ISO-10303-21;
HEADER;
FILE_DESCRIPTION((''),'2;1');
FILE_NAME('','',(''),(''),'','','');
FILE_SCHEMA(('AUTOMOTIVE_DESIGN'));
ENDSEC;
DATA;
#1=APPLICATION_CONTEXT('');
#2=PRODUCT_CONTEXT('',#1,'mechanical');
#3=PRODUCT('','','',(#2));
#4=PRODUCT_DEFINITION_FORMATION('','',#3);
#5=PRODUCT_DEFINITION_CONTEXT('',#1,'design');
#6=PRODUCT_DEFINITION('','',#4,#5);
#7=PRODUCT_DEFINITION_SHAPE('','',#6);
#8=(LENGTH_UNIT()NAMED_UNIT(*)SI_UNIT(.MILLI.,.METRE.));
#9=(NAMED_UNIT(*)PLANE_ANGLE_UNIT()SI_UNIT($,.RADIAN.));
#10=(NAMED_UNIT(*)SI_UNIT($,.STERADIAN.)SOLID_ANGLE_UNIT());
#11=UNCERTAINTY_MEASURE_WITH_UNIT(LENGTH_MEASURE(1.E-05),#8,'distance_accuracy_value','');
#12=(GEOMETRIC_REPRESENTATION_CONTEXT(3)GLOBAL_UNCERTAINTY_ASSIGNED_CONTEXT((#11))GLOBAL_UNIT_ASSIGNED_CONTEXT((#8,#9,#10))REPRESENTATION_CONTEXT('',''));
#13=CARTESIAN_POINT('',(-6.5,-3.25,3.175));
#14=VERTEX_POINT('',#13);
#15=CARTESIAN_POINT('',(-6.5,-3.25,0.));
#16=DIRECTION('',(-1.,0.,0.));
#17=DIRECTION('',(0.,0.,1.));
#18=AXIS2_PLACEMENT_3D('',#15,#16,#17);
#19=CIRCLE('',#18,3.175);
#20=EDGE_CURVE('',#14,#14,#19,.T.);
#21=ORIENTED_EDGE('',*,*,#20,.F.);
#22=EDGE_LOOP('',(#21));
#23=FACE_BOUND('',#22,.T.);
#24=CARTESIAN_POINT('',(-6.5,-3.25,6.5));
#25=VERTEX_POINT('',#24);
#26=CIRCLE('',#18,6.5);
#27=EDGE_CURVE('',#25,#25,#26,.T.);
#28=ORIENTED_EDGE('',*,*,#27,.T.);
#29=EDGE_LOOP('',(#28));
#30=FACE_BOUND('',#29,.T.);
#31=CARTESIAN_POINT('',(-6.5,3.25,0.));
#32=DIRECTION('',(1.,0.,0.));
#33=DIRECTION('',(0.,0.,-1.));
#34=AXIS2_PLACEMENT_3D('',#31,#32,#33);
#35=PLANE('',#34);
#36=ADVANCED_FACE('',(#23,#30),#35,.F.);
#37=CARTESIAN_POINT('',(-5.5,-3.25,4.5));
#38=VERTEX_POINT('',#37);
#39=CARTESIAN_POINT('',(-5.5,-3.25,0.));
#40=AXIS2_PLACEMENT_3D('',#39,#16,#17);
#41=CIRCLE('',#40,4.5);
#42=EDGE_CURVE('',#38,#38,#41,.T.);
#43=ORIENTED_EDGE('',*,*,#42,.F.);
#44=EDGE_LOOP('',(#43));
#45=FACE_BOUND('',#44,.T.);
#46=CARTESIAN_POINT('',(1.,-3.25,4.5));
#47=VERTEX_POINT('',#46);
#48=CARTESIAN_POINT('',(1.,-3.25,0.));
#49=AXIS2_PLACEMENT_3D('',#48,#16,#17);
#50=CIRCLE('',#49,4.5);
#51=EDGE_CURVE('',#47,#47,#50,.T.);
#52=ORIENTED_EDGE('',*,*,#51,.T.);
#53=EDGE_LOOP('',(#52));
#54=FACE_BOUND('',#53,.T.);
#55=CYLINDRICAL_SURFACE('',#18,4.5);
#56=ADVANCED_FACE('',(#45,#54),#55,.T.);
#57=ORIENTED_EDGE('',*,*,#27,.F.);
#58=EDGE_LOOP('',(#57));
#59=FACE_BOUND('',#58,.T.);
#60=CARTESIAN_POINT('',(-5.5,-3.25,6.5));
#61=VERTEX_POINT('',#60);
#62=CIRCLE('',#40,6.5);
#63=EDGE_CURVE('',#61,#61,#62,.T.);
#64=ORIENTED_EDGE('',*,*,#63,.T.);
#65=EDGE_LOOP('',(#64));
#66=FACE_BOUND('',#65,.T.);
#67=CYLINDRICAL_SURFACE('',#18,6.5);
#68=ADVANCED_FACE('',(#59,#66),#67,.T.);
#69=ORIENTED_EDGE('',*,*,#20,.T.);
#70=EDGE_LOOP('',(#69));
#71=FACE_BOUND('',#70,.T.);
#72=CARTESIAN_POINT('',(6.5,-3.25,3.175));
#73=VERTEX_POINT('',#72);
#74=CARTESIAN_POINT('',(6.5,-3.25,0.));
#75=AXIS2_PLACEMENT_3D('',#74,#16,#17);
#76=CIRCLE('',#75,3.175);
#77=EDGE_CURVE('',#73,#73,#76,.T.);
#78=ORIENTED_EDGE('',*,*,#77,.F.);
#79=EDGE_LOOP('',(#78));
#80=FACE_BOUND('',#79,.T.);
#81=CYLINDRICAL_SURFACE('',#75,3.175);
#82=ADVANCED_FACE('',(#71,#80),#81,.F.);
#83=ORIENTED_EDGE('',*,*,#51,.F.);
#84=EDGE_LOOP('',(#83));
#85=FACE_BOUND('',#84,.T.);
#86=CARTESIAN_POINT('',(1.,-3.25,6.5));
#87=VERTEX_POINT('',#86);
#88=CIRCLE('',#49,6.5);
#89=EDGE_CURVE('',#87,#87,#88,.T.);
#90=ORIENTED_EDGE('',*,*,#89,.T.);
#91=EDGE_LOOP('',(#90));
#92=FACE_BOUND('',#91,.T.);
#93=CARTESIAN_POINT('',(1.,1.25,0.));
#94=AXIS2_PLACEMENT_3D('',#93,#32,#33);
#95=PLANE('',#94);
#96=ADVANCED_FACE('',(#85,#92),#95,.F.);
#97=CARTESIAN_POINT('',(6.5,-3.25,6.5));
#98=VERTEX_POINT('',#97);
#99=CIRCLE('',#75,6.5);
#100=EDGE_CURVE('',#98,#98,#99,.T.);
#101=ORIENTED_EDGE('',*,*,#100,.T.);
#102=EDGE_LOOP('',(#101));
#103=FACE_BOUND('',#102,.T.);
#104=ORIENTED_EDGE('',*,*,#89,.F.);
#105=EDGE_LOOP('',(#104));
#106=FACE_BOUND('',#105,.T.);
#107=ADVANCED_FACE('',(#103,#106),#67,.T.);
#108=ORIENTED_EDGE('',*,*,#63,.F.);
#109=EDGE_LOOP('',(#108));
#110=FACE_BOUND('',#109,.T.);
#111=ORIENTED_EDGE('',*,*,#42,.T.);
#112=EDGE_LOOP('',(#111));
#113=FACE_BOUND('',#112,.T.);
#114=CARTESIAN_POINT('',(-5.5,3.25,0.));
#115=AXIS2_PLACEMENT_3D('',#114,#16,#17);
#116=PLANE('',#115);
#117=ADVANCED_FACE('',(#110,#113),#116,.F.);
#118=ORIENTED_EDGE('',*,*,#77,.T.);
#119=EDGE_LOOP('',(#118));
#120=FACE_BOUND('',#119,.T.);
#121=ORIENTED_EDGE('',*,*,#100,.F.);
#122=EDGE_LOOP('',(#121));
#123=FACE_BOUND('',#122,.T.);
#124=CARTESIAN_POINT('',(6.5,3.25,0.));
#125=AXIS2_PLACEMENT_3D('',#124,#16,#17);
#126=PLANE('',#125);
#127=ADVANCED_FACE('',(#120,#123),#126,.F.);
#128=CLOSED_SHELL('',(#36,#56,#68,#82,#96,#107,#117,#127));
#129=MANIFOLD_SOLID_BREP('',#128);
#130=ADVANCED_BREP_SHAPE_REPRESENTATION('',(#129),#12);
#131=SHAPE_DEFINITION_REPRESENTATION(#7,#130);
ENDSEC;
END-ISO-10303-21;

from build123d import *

# Parameters (mm, degrees)
SKETCH_2_R          = 3.175
CUT_EXTRUDE_1_DEPTH = 14


with BuildPart() as part:
    # 草图1 → 旋转1 (revolve)
    with BuildSketch(Plane.XY):
        Polygon((6.5, -3.25), (-6.5, -3.25), (-6.5, 3.25), (-5.5, 3.25), (-5.5, 1.25), (1, 1.25), (1, 3.25), (6.5, 3.25), align=None)
    revolve(axis=Axis((-6.5, -3.25, 0), (1, 0, 0)))

    # 草图2 → 切除-拉伸1 (cut, through all)
    with BuildSketch(Plane.ZY.offset(6.5)):
        with Locations((0, -3.25)):
            Circle(SKETCH_2_R)
    extrude(amount=-CUT_EXTRUDE_1_DEPTH, mode=Mode.SUBTRACT)


solid = part.part
